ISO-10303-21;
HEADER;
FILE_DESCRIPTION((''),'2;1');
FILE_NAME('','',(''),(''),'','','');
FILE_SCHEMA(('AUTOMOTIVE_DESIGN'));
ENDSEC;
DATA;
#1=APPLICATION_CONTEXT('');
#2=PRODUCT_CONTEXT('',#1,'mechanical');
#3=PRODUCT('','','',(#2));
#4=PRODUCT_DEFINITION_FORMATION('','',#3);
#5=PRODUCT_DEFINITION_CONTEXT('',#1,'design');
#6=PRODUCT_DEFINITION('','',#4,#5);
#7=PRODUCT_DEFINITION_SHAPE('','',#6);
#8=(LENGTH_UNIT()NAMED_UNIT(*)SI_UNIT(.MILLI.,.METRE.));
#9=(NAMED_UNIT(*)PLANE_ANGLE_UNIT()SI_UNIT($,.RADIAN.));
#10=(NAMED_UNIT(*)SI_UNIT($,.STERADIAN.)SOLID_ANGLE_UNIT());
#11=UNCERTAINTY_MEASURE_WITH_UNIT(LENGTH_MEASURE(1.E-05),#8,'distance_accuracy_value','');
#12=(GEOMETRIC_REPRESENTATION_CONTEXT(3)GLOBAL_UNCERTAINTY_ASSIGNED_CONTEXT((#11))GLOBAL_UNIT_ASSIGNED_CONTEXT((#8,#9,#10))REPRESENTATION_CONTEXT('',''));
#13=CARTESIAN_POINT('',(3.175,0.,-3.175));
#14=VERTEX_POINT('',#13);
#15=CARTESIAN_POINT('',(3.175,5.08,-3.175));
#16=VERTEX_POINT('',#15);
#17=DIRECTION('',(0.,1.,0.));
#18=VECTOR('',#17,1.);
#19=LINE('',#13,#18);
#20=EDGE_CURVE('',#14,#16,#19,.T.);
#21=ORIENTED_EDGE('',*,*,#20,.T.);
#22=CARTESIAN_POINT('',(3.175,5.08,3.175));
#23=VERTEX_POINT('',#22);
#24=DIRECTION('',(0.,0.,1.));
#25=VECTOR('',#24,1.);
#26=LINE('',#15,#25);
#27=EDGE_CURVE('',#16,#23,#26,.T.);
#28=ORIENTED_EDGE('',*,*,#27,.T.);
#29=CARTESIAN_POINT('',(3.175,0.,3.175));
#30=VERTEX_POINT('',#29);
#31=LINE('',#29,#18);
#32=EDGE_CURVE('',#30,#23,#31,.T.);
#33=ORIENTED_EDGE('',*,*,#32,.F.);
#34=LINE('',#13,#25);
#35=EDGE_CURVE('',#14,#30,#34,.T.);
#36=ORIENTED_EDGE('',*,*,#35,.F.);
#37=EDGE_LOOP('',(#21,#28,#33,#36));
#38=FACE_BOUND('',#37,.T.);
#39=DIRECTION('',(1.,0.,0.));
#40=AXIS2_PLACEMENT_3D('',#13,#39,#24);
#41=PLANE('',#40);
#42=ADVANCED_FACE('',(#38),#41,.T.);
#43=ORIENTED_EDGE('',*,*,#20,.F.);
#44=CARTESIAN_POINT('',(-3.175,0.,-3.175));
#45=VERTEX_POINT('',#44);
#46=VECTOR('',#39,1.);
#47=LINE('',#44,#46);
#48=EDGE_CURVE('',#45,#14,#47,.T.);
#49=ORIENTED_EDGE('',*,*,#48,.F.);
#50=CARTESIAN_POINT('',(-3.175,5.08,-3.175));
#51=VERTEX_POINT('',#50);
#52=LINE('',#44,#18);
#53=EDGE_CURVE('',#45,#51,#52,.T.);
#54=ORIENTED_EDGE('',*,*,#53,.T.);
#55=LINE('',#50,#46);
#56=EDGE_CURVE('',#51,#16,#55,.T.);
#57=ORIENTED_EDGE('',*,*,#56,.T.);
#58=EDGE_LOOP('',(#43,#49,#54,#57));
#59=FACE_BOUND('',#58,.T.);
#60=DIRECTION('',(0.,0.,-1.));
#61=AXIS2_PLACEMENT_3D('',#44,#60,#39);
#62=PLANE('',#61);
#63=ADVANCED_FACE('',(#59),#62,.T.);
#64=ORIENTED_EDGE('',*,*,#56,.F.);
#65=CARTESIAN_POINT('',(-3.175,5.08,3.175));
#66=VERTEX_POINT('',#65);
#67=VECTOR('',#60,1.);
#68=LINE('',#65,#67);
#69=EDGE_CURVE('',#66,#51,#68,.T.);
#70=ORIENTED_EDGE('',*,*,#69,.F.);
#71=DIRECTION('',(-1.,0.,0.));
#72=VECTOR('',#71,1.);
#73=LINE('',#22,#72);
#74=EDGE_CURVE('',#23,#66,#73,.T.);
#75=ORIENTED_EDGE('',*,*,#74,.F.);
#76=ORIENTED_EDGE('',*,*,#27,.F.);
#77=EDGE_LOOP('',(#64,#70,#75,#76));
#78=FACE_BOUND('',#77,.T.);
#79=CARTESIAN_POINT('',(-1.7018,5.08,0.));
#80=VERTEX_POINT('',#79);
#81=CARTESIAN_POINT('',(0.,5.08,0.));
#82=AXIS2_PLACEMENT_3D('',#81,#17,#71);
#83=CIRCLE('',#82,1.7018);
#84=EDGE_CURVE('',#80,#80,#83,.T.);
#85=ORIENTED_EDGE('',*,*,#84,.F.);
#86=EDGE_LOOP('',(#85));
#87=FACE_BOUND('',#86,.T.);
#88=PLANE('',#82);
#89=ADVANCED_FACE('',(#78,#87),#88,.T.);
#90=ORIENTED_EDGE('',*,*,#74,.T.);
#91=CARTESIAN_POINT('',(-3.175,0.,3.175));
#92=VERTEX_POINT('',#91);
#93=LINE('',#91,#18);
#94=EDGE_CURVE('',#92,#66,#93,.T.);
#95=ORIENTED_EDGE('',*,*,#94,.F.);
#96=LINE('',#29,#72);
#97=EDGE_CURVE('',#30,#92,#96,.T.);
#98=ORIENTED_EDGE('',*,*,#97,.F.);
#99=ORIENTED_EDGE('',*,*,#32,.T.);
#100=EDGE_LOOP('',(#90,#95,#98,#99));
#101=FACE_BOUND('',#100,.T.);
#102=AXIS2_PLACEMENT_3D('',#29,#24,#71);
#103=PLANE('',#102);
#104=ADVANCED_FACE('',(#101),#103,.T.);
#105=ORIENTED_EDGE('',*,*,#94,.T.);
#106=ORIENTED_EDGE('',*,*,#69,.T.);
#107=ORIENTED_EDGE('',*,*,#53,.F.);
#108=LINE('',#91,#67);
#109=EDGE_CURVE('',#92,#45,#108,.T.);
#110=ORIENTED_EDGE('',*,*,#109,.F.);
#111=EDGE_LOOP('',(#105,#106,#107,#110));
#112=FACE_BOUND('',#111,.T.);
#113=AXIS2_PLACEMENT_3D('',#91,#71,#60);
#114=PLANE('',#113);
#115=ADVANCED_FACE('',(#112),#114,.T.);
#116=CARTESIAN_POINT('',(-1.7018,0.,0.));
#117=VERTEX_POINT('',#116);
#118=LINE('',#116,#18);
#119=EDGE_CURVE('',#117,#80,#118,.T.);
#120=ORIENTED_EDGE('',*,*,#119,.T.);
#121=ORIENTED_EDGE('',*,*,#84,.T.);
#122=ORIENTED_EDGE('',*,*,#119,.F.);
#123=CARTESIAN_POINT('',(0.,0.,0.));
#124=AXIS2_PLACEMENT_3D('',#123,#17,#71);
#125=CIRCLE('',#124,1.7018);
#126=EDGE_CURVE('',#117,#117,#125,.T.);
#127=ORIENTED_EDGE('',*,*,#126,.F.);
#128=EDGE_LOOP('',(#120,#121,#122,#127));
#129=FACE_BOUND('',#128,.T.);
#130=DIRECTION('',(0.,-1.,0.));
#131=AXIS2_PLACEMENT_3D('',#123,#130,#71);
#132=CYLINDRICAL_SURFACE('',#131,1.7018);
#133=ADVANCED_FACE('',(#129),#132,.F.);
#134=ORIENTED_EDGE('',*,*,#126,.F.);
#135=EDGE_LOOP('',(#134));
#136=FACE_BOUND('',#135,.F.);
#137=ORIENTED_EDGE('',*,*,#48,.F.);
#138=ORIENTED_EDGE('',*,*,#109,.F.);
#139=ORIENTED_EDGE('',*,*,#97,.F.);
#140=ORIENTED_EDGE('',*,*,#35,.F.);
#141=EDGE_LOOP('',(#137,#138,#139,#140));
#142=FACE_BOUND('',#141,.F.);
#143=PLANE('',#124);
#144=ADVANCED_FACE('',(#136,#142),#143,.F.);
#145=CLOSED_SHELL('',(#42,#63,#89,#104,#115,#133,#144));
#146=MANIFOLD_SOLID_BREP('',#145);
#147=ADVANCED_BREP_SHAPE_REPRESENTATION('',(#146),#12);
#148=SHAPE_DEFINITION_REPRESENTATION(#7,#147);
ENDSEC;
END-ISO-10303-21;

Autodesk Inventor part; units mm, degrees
ref_plane "YZ Plane" through (0, 0, 0) normal (1, 0, 0) x (0, 1, 0)
ref_plane "XZ Plane" through (0, 0, 0) normal (0, 1, 0) x (-1, 0, 0)
ref_plane "XY Plane" through (0, 0, 0) normal (0, 0, 1) x (1, 0, 0)
sketch "Sketch1" plane through (0, 0, 0) normal (0, 1, 0) x (-1, 0, 0)
  line L0 (-3.175, 3.175) -> (3.175, 3.175)
  line L1 (3.175, 3.175) -> (3.175, -3.175)
  line L2 (3.175, -3.175) -> (-3.175, -3.175)
  line L3 (-3.175, -3.175) -> (-3.175, 3.175)
  line L4 (-3.175, 3.175) -> (3.175, -3.175) construction
  line L5 (3.175, 3.175) -> (-3.175, -3.175) construction
  circle A0 centre (0, 0) radius 1.7018
  dimension "d0" = 6.35
  dimension "d1" = 6.35
  dimension "d2" = 3.4036
extrude "Extrusion1" add sketch "Sketch1" along normal blind 5.08
properties part number "6-32 thread hole test"
